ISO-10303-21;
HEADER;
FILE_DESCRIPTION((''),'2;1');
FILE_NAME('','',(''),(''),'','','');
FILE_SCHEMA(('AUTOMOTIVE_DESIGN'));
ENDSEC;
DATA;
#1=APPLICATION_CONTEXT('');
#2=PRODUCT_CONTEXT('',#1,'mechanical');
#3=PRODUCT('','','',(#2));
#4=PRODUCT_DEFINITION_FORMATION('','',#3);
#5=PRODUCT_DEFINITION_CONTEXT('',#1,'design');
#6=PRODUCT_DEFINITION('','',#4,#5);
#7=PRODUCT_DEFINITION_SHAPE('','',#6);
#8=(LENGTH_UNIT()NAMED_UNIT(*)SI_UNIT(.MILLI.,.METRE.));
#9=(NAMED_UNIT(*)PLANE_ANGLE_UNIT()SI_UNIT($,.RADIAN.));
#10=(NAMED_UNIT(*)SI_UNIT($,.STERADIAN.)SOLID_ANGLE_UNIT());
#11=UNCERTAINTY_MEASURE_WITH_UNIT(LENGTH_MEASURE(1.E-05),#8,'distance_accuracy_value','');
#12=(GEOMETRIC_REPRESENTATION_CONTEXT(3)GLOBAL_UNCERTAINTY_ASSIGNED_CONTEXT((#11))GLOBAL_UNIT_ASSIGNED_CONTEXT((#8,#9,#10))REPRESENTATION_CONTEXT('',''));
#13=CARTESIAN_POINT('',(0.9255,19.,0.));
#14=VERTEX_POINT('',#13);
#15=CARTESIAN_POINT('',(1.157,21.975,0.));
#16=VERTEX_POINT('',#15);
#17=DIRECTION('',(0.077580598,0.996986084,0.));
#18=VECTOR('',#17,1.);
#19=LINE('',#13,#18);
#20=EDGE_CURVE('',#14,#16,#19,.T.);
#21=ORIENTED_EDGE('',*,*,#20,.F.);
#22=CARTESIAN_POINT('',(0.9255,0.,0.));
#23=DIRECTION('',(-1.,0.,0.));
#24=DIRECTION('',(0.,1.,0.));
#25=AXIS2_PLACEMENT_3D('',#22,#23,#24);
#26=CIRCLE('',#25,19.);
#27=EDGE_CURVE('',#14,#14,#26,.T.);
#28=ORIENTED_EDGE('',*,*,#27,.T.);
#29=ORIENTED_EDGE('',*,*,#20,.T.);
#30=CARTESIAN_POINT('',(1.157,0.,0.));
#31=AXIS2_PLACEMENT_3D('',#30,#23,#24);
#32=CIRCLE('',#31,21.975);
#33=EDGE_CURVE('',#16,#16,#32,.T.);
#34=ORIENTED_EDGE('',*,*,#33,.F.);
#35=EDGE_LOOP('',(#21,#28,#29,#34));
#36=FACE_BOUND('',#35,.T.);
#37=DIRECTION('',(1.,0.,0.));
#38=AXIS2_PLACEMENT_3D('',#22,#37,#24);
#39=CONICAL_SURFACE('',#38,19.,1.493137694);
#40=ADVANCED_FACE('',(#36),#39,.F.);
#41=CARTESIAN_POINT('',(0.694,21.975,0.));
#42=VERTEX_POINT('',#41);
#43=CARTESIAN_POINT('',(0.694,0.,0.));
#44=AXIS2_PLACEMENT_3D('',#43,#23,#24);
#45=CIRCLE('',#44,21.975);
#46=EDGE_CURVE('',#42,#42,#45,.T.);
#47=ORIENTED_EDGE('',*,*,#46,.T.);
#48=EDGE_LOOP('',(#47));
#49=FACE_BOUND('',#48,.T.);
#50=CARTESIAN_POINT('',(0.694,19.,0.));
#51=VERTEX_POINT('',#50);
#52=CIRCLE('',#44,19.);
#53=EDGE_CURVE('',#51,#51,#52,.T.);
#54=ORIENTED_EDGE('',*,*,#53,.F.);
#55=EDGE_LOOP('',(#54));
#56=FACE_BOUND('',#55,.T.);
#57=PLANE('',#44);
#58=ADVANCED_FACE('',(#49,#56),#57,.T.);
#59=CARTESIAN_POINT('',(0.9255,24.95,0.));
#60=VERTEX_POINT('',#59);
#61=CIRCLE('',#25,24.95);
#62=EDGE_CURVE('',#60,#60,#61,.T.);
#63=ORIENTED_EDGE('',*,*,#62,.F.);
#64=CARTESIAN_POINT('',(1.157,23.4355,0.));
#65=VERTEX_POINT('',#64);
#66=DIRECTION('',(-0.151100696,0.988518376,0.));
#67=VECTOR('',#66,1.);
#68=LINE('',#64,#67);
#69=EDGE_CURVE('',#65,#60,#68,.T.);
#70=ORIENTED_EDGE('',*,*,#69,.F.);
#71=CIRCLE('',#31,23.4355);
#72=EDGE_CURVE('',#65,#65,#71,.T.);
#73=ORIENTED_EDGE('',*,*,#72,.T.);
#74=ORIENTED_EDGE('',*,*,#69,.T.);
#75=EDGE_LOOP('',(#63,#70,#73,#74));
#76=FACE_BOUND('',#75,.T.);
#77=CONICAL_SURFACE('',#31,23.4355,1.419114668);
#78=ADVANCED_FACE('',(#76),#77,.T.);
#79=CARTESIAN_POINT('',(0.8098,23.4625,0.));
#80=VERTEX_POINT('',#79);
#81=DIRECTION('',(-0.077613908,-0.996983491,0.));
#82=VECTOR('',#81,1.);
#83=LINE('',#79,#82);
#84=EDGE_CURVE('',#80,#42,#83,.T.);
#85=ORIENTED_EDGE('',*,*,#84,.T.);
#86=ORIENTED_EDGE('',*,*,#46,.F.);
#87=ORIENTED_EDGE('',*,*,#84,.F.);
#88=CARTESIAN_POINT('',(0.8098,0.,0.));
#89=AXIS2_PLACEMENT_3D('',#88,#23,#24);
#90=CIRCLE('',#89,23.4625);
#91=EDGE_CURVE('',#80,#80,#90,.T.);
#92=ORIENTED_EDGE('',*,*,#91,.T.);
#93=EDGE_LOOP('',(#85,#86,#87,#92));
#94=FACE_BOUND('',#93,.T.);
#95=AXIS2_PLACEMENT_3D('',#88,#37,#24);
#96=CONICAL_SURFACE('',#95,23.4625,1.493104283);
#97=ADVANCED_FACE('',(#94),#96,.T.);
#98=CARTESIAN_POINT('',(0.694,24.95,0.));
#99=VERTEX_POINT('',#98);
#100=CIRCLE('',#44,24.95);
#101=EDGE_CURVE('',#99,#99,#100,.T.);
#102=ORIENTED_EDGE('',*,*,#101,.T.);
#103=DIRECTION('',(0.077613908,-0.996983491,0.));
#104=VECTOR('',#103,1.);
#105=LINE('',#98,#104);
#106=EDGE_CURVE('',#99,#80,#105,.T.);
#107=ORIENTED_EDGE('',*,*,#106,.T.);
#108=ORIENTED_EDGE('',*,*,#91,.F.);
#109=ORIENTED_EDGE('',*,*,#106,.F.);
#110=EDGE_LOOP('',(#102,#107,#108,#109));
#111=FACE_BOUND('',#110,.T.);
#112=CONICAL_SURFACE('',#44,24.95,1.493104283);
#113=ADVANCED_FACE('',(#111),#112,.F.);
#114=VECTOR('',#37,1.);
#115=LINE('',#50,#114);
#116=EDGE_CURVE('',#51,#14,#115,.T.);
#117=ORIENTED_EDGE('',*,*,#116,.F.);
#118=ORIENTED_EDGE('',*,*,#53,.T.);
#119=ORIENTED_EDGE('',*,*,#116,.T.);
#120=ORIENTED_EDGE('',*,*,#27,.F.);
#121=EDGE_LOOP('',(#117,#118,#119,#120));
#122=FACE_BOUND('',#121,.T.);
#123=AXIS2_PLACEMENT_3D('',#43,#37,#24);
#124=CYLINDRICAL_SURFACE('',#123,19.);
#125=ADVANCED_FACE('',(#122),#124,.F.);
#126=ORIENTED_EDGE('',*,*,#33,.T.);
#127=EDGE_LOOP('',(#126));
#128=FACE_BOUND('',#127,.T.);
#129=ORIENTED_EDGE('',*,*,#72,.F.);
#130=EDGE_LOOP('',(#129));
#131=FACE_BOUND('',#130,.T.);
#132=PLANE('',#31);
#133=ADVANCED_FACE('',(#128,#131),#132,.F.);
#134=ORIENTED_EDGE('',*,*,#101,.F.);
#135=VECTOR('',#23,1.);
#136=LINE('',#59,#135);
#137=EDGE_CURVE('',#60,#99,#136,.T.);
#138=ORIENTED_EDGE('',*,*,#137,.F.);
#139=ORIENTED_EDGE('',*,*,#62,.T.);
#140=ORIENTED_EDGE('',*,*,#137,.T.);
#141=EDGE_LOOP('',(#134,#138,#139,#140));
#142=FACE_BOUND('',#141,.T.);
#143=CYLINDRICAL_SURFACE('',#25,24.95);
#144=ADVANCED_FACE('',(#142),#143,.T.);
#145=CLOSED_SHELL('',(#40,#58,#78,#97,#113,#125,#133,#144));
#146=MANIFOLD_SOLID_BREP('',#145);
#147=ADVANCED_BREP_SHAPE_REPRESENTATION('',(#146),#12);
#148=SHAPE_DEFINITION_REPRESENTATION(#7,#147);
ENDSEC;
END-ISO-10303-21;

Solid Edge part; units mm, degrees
sketch "Sketch1" plane through (0, 0, 0) normal (0, 0, 1) x (1, 0, 0)
  line L0 (0.694, 19) -> (0.9255, 19)
  line L1 (0.9255, 19) -> (1.157, 21.975)
  line L2 (1.157, 21.975) -> (1.157, 23.4355)
  line L3 (1.157, 23.4355) -> (0.9255, 24.95)
  line L4 (0.9255, 24.95) -> (0.694, 24.95)
  line L5 (0.694, 24.95) -> (0.8098, 23.4625)
  line L6 (0.8098, 23.4625) -> (0.694, 21.975)
  line L7 (0.694, 21.975) -> (0.694, 19)
revolve "RevolvedProtrusion1" add sketch "Sketch1" angle 360 about axis through (0.9255, 0, 0) along (-1, 0, 0)
properties material "Steel"
